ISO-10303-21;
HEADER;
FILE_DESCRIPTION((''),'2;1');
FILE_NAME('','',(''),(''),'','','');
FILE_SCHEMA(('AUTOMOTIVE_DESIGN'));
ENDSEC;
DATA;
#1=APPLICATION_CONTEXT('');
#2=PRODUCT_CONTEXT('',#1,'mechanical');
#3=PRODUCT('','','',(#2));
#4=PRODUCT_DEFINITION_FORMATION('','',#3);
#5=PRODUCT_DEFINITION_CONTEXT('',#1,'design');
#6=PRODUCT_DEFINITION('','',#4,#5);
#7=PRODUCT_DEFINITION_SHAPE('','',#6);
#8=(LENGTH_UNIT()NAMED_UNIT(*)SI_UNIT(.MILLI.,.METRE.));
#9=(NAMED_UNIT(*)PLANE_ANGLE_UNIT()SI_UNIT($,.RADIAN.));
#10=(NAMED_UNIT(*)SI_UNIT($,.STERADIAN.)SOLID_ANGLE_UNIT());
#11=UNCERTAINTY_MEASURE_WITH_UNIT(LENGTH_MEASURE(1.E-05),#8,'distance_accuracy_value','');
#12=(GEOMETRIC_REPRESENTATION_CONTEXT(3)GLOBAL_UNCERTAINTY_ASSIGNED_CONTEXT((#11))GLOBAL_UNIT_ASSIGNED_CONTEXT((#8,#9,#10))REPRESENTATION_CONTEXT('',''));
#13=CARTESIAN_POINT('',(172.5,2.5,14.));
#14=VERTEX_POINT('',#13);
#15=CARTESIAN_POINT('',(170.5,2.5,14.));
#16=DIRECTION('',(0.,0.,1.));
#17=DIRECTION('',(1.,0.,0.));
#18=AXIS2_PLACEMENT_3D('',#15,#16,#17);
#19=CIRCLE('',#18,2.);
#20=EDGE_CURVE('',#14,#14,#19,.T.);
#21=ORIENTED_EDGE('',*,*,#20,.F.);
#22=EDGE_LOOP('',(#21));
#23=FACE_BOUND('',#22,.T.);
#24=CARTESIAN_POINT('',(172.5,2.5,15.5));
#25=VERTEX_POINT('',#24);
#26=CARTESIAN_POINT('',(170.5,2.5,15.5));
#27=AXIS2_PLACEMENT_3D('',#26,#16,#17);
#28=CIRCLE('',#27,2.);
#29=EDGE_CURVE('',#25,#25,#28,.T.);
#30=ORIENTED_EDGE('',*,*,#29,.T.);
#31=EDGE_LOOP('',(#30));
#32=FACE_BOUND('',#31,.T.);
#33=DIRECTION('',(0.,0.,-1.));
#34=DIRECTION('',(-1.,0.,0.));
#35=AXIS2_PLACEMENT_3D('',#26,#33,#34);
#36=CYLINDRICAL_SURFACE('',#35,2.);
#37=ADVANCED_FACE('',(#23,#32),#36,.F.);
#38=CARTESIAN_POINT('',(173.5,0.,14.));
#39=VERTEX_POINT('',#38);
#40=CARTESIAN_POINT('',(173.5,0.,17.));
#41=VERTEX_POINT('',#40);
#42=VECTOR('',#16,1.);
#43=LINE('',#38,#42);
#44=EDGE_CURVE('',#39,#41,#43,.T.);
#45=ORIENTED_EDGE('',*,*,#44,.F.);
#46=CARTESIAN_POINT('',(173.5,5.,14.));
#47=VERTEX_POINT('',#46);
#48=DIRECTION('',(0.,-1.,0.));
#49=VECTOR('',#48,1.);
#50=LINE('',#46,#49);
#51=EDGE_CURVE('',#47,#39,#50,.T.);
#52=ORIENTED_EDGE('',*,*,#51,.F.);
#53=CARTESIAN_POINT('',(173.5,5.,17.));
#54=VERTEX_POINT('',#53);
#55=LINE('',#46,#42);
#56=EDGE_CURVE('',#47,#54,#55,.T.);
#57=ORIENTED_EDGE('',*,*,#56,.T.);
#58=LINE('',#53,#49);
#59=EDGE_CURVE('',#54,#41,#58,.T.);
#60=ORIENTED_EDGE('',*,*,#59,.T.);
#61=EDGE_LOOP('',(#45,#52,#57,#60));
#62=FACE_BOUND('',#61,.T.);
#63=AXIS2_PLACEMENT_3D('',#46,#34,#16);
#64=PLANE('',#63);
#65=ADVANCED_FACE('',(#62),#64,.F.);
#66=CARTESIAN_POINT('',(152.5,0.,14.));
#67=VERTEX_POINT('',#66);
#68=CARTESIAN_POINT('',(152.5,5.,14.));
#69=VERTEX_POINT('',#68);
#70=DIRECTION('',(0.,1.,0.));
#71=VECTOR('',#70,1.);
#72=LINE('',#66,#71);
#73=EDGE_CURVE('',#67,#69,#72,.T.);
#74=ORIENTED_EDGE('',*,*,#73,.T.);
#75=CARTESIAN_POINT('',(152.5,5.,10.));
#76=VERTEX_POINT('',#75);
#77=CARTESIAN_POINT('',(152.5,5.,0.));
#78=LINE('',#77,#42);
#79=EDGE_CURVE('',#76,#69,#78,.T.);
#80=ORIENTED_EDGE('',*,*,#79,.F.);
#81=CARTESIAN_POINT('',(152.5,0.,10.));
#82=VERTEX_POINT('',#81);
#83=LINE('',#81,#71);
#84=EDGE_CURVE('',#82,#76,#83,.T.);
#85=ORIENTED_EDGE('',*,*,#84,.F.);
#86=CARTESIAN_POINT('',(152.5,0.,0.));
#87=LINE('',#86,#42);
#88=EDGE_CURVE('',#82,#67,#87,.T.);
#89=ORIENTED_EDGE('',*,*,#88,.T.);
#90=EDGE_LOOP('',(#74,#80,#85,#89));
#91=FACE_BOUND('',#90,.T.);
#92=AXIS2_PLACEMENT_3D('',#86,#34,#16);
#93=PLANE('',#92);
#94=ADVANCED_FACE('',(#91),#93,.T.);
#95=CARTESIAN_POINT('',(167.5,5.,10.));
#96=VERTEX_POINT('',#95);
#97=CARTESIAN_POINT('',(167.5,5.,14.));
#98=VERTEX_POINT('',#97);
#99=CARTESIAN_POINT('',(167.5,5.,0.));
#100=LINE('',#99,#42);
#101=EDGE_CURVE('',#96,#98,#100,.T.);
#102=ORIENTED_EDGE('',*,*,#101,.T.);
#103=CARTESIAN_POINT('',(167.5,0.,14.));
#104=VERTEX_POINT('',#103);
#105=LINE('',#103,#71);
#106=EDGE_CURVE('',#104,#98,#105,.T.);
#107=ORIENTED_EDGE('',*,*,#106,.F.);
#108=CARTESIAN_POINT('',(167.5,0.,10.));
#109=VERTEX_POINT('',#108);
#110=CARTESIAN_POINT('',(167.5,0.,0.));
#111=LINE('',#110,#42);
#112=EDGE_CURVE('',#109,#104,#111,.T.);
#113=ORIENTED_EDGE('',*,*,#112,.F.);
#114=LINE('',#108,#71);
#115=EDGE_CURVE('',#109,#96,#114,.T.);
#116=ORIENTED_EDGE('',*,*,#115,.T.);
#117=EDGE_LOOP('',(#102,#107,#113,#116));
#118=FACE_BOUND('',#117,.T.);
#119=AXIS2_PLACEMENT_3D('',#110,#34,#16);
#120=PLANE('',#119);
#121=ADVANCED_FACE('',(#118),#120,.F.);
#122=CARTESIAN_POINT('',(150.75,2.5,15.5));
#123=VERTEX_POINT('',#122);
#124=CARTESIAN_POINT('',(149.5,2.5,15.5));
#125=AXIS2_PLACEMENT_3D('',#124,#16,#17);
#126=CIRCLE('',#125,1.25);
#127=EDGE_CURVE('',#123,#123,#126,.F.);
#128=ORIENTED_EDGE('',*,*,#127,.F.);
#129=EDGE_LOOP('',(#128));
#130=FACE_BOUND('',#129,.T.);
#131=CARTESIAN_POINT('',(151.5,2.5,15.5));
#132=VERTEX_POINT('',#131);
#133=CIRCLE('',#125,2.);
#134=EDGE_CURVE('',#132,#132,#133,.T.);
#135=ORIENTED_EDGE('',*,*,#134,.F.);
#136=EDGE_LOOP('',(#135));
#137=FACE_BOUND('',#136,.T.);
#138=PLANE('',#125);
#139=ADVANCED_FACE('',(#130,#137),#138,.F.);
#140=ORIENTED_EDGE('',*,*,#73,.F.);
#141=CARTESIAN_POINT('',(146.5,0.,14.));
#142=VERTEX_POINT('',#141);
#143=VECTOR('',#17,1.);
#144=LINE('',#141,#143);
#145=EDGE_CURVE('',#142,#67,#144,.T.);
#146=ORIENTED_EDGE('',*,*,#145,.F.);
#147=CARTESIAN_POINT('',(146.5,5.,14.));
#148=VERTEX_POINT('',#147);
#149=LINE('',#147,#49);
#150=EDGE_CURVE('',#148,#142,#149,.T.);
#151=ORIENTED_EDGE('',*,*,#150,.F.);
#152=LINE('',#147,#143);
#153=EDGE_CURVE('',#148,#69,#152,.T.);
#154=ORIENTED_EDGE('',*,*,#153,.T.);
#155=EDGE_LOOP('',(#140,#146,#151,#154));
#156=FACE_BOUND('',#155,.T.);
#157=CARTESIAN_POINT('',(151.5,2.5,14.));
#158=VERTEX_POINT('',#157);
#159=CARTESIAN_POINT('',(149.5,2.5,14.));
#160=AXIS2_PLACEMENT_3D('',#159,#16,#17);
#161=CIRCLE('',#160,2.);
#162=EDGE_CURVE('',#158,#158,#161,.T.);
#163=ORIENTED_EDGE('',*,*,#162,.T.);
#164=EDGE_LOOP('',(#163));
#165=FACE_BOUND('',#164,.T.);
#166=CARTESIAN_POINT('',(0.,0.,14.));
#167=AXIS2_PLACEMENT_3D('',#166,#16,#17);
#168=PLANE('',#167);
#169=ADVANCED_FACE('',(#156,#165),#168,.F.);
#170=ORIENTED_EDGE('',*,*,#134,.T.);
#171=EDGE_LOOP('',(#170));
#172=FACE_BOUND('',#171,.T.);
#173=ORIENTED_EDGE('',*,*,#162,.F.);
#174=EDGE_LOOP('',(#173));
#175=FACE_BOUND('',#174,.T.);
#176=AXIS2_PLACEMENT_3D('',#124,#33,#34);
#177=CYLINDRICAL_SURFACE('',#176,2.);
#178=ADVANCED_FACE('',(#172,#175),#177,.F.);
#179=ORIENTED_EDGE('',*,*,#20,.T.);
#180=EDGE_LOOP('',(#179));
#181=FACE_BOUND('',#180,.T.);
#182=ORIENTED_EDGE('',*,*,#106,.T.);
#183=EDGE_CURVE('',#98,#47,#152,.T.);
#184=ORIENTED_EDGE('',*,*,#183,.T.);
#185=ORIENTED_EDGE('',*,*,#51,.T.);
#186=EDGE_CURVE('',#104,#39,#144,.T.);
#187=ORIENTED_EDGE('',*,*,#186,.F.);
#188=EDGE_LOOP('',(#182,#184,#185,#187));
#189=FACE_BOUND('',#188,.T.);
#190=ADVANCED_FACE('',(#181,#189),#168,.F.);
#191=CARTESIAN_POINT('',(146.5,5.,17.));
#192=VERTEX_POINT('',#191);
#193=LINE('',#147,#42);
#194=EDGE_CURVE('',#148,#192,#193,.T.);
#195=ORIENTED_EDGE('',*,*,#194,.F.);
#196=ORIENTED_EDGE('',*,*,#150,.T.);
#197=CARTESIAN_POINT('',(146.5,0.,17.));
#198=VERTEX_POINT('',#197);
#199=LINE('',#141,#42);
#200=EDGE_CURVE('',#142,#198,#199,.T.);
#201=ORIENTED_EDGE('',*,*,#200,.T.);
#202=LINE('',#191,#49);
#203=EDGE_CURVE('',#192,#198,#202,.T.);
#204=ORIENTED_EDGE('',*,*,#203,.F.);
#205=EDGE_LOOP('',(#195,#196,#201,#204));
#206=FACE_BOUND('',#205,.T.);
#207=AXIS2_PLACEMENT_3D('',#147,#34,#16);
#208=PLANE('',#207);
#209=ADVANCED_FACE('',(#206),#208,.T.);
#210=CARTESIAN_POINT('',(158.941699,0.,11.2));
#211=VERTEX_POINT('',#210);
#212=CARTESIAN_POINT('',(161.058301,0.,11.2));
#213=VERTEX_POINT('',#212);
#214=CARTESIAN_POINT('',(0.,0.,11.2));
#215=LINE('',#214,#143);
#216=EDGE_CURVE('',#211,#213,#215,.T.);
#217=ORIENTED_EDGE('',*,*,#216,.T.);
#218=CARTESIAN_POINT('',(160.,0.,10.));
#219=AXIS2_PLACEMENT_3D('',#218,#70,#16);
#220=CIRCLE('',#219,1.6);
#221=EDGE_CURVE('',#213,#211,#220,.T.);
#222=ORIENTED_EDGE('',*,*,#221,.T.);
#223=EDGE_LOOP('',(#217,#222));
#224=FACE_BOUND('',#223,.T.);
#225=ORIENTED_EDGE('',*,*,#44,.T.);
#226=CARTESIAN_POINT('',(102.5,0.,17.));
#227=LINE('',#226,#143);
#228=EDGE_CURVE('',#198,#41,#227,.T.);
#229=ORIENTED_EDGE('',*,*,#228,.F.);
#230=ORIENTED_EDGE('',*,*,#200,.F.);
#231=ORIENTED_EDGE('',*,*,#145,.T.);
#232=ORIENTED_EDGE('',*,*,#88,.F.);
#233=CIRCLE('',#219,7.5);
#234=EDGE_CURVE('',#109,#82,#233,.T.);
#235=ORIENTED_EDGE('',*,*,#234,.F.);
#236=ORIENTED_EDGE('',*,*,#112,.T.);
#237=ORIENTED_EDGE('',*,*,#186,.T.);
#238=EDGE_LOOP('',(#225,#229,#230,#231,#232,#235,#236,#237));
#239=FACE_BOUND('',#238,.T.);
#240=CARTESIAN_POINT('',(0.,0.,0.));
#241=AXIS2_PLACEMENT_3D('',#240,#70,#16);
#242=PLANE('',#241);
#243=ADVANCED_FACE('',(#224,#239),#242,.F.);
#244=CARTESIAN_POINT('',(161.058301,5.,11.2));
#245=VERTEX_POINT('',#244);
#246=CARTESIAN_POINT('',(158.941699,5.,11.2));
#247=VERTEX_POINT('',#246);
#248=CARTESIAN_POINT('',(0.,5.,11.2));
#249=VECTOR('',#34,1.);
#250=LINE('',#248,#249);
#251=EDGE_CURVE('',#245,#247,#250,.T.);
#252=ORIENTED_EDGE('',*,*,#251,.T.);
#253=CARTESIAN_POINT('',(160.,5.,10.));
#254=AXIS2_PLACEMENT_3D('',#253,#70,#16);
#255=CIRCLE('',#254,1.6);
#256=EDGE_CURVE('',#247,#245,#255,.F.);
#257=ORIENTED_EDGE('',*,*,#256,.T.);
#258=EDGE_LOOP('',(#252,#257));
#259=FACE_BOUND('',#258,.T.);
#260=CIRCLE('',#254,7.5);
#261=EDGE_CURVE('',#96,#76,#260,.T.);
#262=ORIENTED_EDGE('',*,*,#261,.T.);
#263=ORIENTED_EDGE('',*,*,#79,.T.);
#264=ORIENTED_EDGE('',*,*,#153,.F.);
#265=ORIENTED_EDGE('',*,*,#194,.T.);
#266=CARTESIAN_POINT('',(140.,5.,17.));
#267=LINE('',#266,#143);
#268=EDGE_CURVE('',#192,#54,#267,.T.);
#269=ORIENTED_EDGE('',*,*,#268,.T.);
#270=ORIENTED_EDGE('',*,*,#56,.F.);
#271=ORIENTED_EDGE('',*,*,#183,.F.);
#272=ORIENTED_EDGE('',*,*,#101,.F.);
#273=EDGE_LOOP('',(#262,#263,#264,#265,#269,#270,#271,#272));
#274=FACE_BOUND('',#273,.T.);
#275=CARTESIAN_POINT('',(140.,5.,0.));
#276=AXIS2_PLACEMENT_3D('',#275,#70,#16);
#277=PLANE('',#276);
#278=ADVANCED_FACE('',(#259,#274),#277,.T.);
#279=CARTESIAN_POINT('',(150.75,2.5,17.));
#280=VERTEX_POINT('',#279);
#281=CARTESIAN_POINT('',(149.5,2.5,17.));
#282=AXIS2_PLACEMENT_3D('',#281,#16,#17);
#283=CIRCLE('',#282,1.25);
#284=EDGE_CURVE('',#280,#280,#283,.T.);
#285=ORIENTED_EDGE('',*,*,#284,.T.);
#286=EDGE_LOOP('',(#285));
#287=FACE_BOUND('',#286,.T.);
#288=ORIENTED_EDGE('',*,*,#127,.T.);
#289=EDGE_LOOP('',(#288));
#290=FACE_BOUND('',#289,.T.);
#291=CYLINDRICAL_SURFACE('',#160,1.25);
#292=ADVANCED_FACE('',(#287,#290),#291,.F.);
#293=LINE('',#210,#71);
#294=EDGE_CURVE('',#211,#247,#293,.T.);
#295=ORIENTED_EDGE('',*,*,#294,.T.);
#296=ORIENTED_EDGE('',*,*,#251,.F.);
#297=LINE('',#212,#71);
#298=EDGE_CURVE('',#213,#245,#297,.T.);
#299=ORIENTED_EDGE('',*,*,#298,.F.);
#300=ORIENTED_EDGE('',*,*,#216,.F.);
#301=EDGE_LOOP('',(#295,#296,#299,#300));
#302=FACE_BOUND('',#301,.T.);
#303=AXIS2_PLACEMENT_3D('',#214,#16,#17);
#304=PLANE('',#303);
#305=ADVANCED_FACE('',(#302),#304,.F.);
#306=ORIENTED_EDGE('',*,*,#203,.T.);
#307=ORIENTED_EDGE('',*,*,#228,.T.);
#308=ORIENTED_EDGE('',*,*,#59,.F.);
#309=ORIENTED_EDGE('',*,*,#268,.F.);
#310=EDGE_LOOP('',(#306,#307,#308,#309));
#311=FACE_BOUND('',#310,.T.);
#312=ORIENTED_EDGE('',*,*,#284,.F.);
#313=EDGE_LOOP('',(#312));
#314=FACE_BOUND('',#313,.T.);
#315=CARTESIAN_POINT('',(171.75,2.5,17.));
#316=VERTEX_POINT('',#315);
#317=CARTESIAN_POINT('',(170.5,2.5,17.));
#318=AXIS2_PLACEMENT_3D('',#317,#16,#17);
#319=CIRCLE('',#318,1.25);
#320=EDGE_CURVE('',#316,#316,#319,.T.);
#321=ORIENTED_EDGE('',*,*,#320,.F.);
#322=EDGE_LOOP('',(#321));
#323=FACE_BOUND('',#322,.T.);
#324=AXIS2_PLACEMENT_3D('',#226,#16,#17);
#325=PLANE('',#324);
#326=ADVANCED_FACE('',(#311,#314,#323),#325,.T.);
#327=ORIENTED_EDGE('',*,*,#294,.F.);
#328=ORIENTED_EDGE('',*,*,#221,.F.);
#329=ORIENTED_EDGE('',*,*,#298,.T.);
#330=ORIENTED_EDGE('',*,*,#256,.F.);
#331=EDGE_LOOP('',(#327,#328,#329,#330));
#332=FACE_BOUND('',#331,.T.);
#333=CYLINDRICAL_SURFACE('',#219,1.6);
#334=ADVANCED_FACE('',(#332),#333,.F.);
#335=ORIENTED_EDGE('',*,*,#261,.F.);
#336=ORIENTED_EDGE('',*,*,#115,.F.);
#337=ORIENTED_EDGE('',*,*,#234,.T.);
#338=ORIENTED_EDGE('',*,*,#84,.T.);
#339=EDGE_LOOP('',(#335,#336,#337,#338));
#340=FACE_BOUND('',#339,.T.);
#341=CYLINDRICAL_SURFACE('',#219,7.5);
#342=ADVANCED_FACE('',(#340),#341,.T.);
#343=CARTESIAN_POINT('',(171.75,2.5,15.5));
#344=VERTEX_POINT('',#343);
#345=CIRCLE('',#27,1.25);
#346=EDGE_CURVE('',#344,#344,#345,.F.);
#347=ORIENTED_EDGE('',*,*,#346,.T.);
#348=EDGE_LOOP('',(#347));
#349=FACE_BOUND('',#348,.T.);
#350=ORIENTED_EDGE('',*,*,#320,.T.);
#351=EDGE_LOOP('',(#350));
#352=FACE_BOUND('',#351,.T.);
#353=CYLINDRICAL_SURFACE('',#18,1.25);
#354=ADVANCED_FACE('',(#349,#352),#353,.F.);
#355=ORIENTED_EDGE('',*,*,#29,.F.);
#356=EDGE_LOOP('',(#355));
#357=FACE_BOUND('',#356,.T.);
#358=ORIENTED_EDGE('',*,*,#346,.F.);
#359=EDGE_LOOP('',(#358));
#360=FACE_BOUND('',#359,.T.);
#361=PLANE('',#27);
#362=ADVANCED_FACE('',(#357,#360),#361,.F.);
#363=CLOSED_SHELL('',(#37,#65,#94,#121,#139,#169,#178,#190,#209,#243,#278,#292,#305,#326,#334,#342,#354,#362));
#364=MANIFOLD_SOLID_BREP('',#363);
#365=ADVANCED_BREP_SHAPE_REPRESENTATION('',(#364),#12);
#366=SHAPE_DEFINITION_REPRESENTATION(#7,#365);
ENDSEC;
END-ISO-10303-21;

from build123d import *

# Parameters (mm, degrees)
SKETCH_2_W          = 170
SKETCH_2_H          = 20
EXTRUDE_1_DEPTH     = 23
CUT_EXTRUDE_1_DEPTH = 173.710740836
SKETCH_4_W          = 17
SKETCH_4_H          = 13
CUT_EXTRUDE_2_DEPTH = 30
CUT_EXTRUDE_3_DEPTH = 173.710740836
SKETCH_6_W          = 67.5
SKETCH_6_H          = 3
SKETCH_6_W_2        = 15
SKETCH_6_H_2        = 14.5
CUT_EXTRUDE_4_DEPTH = 173.710740836
SKETCH_7_W          = 25.348417758
SKETCH_7_H          = 9.515527538
CUT_EXTRUDE_5_DEPTH = 33.295510524
SKETCH_8_W          = 27
SKETCH_8_H          = 5
SKETCH_8_R          = 1.25
EXTRUDE_2_DEPTH     = 3
CUT_EXTRUDE_START   = -3
SKETCH_8_3_R        = 2
CUT_EXTRUDE_6_DEPTH = 1.5


with BuildPart() as part:
    # 草图2 → 凸台-拉伸1 (new body)
    with BuildSketch(Plane(origin=(0, 0, 0), x_dir=(1, 0, 0), z_dir=(0, 1, 0))):
        with Locations((85, -10)):
            Rectangle(SKETCH_2_W, SKETCH_2_H)
    extrude(amount=EXTRUDE_1_DEPTH)

    # 草图3 → 切除-拉伸1 (cut, through all)
    with BuildSketch(Plane(origin=(0, 23, 0), x_dir=(1, 0, 0), z_dir=(0, 1, 0))):
        with BuildLine():
            ThreePointArc((161.6, -10), (159.341699476, -8.541699476), (158.941699476, -11.2))
            Line((158.941699476, -11.2), (161.058300524, -11.2))
            ThreePointArc((161.058300524, -11.2), (161.458300524, -10.658300524), (161.6, -10))
        make_face()
        with BuildLine():
            ThreePointArc((126.6, -10), (124.341699476, -8.541699476), (123.941699476, -11.2))
            Line((123.941699476, -11.2), (126.058300524, -11.2))
            ThreePointArc((126.058300524, -11.2), (126.458300524, -10.658300524), (126.6, -10))
        make_face()
    extrude(amount=-CUT_EXTRUDE_1_DEPTH, mode=Mode.SUBTRACT)

    # 草图4 → 切除-拉伸2 (cut)
    with BuildSketch(Plane(origin=(170, 0, 0), x_dir=(0, 0, -1), z_dir=(1, 0, 0))):
        with Locations((-8.5, 11.5)):
            Rectangle(SKETCH_4_W, SKETCH_4_H)
    extrude(amount=-CUT_EXTRUDE_2_DEPTH, mode=Mode.SUBTRACT)

    # 草图5 → 切除-拉伸3 (cut, through all)
    with BuildSketch(Plane(origin=(0, 23, 0), x_dir=(1, 0, 0), z_dir=(0, 1, 0))):
        with BuildLine():
            Line((117.5, -17), (117.5, -10))
            ThreePointArc((117.5, -10), (125, -2.5), (132.5, -10))
            Line((132.5, -10), (132.5, -17))
            Line((132.5, -17), (152.5, -17))
            Line((152.5, -17), (152.5, -10))
            ThreePointArc((152.5, -10), (160, -2.5), (167.5, -10))
            Line((167.5, -10), (167.5, -17))
            Line((167.5, -17), (170, -17))
            Line((170, -17), (170, 0))
            Line((170, 0), (0, 0))
            Line((0, 0), (0, -20))
            Line((0, -20), (102.5, -20))
            Line((102.5, -20), (102.5, -17))
            Line((102.5, -17), (117.5, -17))
        make_face()
    extrude(amount=-CUT_EXTRUDE_3_DEPTH, mode=Mode.SUBTRACT)

    # 草图6 → 切除-拉伸4 (cut, through all)
    with BuildSketch(Plane(origin=(0, 23, 0), x_dir=(1, 0, 0), z_dir=(0, 1, 0))):
        with Locations((136.25, -18.5)):
            Rectangle(SKETCH_6_W, SKETCH_6_H)
        with Locations((125, -9.75)):
            Rectangle(SKETCH_6_W_2, SKETCH_6_H_2)
    extrude(amount=-CUT_EXTRUDE_4_DEPTH, mode=Mode.SUBTRACT)


with BuildPart() as cut_extrude_4_piece_1:
    # of the separate pieces the step leaves, piece 1, a body of its own (cut_extrude_4_pieces)
    add(part.part.solids().sort_by_distance((167.5, 23, 10))[0])

    # 草图7 → 切除-拉伸5 (cut, through all)
    with BuildSketch(Plane.ZY.offset(-152.5)):
        with Locations((10.223802201, 19.727293576)):
            Rectangle(SKETCH_7_W, SKETCH_7_H)
    extrude(amount=-CUT_EXTRUDE_5_DEPTH, mode=Mode.SUBTRACT)


with BuildPart() as cut_extrude_4_piece_2:
    # of the separate pieces the step leaves, piece 2, a body of its own (cut_extrude_4_pieces)
    add(part.part.solids().sort_by_distance((167.5, 0, 17))[0])

    # 草图8 → 凸台-拉伸2 (add)
    with BuildSketch(Plane.XY.offset(17)):
        with Locations((160, 2.5)):
            Rectangle(SKETCH_8_W, SKETCH_8_H)
        with Locations((149.5, 2.5)):
            Circle(SKETCH_8_R, mode=Mode.SUBTRACT)
        with Locations((170.5, 2.5)):
            Circle(SKETCH_8_R, mode=Mode.SUBTRACT)
    extrude(amount=-EXTRUDE_2_DEPTH)

    # 草图8<3> → 切除-拉伸6 (cut)
    with BuildSketch(Plane.XY.offset(17).offset(CUT_EXTRUDE_START)):
        with Locations((170.5, 2.5)):
            Circle(SKETCH_8_3_R)
        with Locations((149.5, 2.5)):
            Circle(SKETCH_8_3_R)
    extrude(amount=CUT_EXTRUDE_6_DEPTH, mode=Mode.SUBTRACT)


solid = cut_extrude_4_piece_2.part
